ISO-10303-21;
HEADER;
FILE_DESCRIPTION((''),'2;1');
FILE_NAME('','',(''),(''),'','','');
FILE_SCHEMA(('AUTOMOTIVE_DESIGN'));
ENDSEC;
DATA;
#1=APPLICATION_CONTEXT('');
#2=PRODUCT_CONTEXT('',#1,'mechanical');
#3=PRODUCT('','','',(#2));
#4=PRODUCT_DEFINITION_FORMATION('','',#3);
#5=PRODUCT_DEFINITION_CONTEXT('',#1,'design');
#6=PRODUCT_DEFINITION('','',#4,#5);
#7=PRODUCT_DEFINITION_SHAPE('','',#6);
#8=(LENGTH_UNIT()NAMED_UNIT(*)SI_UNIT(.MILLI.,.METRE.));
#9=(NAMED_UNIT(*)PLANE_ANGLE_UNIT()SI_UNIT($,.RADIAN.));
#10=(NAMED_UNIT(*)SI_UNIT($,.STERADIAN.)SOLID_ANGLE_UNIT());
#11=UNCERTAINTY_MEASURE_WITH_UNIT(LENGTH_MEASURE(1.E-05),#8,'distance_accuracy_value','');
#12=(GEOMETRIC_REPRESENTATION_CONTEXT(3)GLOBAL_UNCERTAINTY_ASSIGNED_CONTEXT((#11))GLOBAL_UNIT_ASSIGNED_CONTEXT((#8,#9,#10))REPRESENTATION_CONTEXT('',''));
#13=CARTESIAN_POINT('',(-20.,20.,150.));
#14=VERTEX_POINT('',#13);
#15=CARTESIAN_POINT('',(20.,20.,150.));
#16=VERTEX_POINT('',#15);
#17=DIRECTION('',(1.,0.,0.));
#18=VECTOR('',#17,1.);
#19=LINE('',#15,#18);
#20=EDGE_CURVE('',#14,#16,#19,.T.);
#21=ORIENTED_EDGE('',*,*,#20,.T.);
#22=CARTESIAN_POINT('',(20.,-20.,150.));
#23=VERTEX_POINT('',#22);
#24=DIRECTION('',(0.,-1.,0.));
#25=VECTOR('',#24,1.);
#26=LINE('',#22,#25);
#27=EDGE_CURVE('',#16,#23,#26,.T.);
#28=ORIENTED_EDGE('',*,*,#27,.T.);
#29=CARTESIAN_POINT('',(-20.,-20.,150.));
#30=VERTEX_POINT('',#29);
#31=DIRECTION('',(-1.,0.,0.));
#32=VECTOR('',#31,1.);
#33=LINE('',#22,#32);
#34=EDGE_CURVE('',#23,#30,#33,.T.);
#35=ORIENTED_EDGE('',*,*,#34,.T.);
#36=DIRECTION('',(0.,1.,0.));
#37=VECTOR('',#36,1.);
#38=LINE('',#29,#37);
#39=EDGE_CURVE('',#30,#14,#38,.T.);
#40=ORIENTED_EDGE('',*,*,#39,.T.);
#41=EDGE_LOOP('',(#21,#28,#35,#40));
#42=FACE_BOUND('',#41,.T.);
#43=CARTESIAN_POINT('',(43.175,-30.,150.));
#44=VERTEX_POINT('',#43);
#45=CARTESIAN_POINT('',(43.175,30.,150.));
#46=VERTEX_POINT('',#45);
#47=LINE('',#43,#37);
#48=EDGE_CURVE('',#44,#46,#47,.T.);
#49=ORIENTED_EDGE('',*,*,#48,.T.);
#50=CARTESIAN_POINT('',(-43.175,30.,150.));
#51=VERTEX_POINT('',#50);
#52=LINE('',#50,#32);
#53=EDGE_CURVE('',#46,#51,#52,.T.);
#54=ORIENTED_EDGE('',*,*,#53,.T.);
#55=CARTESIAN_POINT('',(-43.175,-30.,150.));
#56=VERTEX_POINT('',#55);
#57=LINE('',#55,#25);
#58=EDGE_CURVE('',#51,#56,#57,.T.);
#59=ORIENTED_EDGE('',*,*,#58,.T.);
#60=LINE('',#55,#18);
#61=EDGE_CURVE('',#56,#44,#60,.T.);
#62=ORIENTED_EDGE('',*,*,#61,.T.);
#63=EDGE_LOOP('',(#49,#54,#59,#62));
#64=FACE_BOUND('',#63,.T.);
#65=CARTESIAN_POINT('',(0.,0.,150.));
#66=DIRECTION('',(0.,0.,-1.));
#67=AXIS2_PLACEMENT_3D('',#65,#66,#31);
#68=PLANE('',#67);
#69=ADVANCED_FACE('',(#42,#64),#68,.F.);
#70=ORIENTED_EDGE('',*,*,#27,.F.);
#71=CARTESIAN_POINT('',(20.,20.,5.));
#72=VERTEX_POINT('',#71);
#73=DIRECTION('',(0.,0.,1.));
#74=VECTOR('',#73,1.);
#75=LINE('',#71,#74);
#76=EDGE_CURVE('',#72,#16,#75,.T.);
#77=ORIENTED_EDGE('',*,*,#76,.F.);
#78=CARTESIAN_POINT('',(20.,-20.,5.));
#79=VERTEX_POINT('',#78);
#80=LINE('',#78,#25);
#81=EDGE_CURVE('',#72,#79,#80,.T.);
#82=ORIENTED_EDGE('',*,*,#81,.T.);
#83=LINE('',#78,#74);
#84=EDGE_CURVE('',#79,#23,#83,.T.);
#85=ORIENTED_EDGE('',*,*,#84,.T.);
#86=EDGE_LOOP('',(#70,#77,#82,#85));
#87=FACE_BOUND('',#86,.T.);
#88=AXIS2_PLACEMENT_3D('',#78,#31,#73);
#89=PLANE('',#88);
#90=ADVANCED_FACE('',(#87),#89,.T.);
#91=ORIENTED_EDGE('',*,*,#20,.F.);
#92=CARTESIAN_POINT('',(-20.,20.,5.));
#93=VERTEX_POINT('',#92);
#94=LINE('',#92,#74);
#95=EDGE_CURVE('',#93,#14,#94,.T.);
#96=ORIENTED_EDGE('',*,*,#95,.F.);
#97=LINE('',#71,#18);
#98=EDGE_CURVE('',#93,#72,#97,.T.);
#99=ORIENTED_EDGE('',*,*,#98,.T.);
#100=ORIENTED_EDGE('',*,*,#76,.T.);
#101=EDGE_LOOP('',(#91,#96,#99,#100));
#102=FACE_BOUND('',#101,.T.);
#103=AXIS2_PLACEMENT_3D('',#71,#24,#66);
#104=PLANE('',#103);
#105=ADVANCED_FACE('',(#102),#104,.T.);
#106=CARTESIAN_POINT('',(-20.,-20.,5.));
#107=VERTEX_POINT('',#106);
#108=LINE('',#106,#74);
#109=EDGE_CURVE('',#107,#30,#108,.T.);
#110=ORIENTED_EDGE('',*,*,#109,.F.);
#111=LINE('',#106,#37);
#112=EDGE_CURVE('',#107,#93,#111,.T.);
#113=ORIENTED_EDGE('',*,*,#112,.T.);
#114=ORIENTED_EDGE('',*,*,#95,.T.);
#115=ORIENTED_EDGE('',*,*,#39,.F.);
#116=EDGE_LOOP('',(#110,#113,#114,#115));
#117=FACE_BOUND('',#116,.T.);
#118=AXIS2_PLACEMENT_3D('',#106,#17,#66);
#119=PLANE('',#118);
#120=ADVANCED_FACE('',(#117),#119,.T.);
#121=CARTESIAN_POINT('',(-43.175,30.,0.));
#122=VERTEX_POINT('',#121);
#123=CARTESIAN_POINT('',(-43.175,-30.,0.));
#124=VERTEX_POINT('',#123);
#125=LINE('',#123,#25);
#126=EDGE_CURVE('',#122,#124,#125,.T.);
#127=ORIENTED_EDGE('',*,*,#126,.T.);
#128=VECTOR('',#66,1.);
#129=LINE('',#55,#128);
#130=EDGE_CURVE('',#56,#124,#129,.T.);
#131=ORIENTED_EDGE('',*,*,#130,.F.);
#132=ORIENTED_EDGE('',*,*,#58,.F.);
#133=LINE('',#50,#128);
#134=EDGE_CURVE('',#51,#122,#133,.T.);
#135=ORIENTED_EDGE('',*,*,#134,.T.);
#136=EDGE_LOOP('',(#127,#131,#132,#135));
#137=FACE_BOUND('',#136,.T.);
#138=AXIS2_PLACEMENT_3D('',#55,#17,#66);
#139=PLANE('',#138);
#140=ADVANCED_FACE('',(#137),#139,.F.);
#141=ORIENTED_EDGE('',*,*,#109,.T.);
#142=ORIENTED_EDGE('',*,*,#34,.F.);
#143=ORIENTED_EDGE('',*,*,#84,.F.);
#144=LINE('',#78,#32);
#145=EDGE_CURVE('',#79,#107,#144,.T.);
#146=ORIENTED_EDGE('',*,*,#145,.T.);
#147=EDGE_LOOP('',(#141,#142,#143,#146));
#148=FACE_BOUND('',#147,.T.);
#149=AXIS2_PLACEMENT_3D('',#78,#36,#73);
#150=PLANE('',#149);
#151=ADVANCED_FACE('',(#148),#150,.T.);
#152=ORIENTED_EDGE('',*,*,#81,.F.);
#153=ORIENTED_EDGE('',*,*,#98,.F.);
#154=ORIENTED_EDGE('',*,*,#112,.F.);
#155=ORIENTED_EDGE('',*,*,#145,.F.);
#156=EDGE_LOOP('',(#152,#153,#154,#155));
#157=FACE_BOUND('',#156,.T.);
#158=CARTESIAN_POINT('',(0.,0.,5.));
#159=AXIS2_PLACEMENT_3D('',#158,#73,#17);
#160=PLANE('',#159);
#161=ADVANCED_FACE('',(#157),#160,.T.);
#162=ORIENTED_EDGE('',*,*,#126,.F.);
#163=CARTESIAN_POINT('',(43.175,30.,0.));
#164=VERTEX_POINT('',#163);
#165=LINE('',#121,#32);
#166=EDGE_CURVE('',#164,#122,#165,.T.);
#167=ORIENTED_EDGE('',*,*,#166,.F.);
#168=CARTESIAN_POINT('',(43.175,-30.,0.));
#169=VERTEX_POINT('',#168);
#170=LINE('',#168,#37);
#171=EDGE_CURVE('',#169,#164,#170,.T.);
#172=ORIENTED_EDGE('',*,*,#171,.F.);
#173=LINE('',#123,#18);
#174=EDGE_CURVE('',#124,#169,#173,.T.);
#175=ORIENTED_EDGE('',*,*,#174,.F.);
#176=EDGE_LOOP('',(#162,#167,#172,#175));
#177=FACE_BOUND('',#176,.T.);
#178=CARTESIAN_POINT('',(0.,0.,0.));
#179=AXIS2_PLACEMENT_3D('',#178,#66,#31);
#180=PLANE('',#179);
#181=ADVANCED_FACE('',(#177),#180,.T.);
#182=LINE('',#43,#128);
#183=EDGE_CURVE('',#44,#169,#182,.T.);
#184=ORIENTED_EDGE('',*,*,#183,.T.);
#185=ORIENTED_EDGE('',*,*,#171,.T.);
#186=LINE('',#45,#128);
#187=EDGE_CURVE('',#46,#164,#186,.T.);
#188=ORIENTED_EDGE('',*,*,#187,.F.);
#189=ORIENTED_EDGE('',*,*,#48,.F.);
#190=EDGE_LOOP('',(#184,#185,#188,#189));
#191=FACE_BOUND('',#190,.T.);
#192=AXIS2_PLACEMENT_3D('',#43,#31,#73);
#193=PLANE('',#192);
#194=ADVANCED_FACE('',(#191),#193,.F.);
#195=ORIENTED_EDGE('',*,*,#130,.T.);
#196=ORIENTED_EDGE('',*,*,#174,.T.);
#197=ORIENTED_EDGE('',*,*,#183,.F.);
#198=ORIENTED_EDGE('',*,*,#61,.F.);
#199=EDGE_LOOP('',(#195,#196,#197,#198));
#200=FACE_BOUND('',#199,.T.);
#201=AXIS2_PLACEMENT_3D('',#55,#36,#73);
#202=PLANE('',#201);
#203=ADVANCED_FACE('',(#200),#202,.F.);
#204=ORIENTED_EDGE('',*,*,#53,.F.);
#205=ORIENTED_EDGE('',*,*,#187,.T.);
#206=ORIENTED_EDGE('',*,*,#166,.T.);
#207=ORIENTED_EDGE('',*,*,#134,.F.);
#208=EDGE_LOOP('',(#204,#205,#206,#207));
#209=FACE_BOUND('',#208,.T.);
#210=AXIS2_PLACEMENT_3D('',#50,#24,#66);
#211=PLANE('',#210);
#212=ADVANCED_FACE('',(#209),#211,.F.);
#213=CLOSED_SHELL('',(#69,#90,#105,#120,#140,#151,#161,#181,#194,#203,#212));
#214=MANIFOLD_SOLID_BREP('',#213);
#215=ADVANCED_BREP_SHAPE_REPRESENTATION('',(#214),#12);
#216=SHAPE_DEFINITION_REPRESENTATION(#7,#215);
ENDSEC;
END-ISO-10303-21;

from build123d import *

# Parameters (mm, degrees)
SKETCH1_W           = 86.35
SKETCH1_H           = 60
BOSS_EXTRUDE1_DEPTH = 150
SKETCH2_W           = 40
SKETCH2_H           = 40
CUT_EXTRUDE1_DEPTH  = 145


with BuildPart() as part:
    # Sketch1 → Boss-Extrude1 (new body)
    with BuildSketch(Plane.XY):
        Rectangle(SKETCH1_W, SKETCH1_H)
    extrude(amount=BOSS_EXTRUDE1_DEPTH)

    # Sketch2 → Cut-Extrude1 (cut)
    with BuildSketch(Plane(origin=(0, 0, 150), x_dir=(-1, 0, 0), z_dir=(0, 0, -1))):
        Rectangle(SKETCH2_W, SKETCH2_H)
    extrude(amount=CUT_EXTRUDE1_DEPTH, mode=Mode.SUBTRACT)


solid = part.part
